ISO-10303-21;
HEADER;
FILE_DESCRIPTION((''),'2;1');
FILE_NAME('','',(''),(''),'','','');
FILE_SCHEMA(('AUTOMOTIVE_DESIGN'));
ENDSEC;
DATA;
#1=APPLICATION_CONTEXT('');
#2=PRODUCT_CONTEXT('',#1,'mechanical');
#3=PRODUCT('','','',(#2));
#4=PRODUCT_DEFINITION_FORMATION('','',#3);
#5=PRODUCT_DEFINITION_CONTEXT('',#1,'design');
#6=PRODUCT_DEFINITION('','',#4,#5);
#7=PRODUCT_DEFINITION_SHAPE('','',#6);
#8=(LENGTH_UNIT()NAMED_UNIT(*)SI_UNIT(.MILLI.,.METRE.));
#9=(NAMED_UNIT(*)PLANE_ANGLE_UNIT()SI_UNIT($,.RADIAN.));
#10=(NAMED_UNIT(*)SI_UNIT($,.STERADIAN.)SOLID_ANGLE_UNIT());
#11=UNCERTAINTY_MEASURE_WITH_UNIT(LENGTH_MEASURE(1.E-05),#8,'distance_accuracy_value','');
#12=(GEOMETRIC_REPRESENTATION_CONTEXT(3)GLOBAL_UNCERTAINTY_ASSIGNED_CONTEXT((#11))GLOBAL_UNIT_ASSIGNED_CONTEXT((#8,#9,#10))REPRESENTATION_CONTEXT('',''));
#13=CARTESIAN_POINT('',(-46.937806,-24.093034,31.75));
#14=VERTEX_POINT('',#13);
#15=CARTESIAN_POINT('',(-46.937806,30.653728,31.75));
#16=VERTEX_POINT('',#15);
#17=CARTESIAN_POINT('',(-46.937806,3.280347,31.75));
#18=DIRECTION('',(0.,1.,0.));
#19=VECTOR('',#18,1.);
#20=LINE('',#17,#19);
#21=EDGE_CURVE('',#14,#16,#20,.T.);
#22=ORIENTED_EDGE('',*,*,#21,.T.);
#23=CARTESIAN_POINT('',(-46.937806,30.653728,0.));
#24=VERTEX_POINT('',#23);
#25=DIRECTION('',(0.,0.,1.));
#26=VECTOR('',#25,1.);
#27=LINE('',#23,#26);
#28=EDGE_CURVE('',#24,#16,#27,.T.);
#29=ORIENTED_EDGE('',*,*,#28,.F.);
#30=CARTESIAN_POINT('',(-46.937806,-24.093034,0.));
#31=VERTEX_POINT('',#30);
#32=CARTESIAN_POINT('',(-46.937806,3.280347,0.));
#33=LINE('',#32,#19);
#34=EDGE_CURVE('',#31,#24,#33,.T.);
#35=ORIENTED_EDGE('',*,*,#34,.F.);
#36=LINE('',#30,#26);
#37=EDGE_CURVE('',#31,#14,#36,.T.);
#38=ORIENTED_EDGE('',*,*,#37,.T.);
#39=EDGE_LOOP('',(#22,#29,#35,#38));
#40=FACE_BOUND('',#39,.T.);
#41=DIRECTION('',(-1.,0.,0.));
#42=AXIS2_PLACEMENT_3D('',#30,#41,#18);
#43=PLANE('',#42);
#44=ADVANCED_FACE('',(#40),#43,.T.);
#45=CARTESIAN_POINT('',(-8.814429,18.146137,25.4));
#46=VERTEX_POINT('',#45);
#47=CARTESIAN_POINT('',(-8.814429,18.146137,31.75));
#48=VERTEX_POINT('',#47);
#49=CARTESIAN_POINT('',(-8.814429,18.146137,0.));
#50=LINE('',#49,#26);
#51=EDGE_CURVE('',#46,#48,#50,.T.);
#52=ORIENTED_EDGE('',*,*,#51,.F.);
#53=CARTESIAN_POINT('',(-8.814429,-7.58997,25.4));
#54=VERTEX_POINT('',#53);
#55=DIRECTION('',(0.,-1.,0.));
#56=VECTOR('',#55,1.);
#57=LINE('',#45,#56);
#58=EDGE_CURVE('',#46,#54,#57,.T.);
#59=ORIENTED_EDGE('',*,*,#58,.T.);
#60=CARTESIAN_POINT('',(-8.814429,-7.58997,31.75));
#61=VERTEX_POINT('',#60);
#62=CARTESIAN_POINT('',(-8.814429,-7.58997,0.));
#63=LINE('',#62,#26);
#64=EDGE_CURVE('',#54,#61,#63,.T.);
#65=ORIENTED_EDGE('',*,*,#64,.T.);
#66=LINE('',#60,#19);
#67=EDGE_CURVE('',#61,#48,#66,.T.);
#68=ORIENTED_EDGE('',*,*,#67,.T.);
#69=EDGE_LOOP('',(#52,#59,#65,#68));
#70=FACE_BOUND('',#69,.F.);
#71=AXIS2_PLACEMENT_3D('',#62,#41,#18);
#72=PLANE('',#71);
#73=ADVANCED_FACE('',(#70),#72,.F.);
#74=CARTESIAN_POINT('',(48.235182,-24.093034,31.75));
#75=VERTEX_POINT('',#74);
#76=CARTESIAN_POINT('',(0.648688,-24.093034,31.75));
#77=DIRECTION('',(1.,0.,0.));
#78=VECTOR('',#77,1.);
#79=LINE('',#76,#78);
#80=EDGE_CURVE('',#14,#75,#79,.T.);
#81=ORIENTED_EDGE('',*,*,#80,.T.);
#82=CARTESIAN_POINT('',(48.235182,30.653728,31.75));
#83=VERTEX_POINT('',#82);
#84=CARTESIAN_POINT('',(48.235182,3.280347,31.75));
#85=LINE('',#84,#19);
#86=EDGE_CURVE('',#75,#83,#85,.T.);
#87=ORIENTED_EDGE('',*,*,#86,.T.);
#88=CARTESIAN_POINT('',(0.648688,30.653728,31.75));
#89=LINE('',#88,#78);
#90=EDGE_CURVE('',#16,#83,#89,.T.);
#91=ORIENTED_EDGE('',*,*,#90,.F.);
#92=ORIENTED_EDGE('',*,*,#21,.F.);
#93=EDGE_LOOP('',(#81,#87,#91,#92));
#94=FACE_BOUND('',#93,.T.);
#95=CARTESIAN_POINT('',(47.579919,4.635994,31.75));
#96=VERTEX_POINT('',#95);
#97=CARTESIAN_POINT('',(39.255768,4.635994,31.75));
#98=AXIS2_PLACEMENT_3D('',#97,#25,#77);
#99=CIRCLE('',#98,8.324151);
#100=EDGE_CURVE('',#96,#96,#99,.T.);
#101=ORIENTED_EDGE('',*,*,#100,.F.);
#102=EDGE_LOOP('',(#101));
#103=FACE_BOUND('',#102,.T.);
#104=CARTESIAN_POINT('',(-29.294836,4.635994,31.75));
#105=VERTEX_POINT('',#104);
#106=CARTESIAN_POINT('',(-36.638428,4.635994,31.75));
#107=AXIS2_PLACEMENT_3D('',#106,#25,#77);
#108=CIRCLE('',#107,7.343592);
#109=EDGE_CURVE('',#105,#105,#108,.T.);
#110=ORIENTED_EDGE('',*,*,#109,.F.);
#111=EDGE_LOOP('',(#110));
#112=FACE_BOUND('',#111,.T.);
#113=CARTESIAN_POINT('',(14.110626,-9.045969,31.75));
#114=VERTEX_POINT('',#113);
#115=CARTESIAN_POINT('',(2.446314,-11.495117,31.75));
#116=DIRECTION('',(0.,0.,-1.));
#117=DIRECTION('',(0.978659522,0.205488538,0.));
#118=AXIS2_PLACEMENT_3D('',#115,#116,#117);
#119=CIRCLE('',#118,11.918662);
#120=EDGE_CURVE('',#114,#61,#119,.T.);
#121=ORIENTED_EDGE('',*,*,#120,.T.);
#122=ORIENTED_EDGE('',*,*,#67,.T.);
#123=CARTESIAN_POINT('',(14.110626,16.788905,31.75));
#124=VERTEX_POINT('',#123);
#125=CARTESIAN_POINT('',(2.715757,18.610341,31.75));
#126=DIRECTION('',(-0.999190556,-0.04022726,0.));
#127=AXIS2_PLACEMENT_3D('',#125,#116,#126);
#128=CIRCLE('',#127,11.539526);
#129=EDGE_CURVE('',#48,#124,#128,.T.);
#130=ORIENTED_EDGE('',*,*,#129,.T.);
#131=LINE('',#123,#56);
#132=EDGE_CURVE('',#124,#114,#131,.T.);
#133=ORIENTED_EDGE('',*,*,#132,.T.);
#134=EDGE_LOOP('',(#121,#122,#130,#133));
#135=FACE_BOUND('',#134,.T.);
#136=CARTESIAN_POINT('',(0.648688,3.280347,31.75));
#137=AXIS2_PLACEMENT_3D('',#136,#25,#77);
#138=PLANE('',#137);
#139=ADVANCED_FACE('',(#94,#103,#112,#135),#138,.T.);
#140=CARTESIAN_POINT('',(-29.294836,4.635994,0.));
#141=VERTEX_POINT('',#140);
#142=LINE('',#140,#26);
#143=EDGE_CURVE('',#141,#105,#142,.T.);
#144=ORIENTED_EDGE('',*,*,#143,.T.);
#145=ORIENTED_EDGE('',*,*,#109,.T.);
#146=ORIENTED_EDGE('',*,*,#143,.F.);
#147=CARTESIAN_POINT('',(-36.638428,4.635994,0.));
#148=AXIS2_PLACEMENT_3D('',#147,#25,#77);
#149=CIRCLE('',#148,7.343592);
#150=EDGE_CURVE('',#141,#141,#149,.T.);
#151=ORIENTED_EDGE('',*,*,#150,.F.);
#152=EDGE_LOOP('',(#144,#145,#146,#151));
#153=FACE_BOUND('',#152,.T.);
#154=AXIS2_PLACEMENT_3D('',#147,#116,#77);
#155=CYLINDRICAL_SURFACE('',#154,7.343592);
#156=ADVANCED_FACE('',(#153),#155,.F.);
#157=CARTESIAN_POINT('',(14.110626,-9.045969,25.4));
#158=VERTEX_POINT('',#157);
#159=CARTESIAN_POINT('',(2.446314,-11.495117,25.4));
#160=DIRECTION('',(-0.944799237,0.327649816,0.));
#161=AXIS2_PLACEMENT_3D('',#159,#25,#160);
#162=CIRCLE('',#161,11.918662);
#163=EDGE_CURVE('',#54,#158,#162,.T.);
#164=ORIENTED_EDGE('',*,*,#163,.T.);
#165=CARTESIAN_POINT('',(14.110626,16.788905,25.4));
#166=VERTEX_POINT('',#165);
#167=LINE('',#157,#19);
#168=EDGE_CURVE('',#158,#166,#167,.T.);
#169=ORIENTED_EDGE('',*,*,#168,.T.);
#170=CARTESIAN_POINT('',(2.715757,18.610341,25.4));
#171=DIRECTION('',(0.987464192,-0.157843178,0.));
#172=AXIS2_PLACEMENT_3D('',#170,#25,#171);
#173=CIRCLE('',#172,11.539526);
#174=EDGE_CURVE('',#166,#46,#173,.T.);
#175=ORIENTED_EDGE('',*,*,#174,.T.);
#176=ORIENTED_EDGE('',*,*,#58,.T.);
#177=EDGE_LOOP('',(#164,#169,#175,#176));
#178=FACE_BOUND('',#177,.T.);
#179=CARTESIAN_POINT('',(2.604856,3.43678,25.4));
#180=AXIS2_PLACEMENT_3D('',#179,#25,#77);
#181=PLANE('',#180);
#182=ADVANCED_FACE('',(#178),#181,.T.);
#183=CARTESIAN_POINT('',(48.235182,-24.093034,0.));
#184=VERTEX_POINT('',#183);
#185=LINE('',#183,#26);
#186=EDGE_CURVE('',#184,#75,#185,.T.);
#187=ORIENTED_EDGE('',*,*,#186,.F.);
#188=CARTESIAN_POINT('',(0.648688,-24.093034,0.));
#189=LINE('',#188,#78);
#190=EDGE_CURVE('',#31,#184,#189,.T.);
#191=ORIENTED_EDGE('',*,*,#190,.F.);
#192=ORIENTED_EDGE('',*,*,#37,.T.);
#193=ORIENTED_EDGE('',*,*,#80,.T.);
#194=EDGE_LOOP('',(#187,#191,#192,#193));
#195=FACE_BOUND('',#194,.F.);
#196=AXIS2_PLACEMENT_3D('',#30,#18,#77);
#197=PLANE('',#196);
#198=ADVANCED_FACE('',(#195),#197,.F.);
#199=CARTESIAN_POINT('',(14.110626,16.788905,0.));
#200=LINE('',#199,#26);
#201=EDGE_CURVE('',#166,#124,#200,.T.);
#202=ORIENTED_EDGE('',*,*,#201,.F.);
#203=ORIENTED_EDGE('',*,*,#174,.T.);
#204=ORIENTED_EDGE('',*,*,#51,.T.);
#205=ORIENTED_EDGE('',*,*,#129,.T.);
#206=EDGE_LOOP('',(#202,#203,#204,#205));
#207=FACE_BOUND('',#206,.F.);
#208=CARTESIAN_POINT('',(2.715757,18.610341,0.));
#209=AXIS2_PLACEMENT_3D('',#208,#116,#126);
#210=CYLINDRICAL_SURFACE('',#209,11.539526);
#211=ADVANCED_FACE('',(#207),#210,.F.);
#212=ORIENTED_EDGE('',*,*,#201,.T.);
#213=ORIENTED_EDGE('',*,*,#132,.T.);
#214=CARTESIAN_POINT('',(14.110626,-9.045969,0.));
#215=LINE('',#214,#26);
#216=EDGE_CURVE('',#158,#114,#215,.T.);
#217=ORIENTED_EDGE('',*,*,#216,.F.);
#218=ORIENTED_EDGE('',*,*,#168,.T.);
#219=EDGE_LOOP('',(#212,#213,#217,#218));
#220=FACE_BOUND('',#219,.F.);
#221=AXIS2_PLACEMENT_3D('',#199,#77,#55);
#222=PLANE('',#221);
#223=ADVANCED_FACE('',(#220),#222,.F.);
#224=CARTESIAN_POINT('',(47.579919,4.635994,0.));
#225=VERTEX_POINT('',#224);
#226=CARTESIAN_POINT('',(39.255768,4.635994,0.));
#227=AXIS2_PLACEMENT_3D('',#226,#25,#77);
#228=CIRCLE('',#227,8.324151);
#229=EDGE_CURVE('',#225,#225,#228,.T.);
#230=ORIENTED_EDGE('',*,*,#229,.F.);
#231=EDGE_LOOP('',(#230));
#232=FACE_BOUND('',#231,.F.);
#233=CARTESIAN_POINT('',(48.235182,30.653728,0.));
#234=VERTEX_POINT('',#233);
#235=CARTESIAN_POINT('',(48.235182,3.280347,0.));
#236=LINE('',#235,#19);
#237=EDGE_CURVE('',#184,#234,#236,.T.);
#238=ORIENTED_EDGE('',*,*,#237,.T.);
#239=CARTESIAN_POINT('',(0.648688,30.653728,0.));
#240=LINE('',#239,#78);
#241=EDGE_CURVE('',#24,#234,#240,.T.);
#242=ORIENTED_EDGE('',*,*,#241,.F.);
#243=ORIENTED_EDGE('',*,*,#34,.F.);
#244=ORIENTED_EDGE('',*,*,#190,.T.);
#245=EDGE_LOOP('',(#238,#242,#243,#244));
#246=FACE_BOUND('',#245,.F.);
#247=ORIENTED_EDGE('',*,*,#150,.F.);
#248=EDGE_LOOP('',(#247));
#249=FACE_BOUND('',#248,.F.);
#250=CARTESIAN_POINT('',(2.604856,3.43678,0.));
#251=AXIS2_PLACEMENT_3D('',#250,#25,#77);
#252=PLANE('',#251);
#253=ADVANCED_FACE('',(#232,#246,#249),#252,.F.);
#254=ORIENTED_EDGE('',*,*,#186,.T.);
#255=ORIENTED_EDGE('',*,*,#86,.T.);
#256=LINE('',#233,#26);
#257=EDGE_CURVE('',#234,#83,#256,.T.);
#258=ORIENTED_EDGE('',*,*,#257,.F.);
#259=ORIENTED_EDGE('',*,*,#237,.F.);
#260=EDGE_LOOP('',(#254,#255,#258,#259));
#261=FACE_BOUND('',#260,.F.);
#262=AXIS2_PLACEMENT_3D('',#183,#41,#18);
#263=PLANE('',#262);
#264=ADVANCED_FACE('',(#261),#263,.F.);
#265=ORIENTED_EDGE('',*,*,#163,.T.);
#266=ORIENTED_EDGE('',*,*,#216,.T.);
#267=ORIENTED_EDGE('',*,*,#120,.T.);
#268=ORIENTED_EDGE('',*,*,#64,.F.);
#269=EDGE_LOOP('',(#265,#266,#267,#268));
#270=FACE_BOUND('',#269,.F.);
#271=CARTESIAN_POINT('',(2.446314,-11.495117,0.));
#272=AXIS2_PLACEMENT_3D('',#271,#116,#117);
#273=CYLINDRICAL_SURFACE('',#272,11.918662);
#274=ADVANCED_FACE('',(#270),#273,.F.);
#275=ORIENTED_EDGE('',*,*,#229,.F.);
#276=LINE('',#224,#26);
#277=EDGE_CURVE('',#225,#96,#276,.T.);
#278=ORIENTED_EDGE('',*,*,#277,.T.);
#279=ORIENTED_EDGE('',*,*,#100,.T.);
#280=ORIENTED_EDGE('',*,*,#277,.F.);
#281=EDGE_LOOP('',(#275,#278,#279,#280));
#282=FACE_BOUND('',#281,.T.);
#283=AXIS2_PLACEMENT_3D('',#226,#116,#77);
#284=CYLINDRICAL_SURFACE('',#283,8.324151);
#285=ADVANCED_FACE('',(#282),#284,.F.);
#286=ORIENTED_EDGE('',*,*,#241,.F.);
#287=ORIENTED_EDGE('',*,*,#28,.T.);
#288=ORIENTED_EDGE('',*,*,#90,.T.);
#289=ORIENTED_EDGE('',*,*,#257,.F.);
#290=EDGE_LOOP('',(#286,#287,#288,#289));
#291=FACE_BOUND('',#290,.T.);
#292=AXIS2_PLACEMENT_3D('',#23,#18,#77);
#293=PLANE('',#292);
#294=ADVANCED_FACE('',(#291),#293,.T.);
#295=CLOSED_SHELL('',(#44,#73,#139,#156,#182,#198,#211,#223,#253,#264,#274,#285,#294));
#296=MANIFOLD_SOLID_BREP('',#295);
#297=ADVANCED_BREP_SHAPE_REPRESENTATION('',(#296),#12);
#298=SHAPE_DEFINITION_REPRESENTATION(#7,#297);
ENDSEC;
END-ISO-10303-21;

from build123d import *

# Parameters (mm, degrees)
F0_W     = 95.172987
F0_H     = 54.746762
F0_R     = 7.343592
F0_R_2   = 8.324151
F1_DEPTH = 31.75
F2_DEPTH = 25.4


with BuildPart() as f1:
    # F0 (on Top) → F1 (new body)
    with BuildSketch(Plane.XY):
        with Locations((0.648688, 3.280347)):
            Rectangle(F0_W, F0_H)
        with Locations((-36.638428, 4.635994)):
            Circle(F0_R, mode=Mode.SUBTRACT)
        with BuildLine():
            ThreePointArc((14.110626, -9.045969), (1.690867, -23.389814), (-8.814429, -7.58997))
            Line((-8.814429, -7.58997), (-8.814429, 18.146137))
            ThreePointArc((-8.814429, 18.146137), (3.397737, 30.129697), (14.110626, 16.788905))
            Line((14.110626, 16.788905), (14.110626, -9.045969))
        make_face(mode=Mode.SUBTRACT)
        with Locations((39.255768, 4.635994)):
            Circle(F0_R_2, mode=Mode.SUBTRACT)
    extrude(amount=F1_DEPTH)

    # F0 (on Top) → F2 (join)
    with BuildSketch(Plane.XY):
        with BuildLine():
            Line((-8.814429, 18.146137), (-8.814429, -7.58997))
            ThreePointArc((-8.814429, -7.58997), (1.690867, -23.389814), (14.110626, -9.045969))
            Line((14.110626, -9.045969), (14.110626, 16.788905))
            ThreePointArc((14.110626, 16.788905), (3.397737, 30.129697), (-8.814429, 18.146137))
        make_face()
    extrude(amount=F2_DEPTH)


solid = f1.part
